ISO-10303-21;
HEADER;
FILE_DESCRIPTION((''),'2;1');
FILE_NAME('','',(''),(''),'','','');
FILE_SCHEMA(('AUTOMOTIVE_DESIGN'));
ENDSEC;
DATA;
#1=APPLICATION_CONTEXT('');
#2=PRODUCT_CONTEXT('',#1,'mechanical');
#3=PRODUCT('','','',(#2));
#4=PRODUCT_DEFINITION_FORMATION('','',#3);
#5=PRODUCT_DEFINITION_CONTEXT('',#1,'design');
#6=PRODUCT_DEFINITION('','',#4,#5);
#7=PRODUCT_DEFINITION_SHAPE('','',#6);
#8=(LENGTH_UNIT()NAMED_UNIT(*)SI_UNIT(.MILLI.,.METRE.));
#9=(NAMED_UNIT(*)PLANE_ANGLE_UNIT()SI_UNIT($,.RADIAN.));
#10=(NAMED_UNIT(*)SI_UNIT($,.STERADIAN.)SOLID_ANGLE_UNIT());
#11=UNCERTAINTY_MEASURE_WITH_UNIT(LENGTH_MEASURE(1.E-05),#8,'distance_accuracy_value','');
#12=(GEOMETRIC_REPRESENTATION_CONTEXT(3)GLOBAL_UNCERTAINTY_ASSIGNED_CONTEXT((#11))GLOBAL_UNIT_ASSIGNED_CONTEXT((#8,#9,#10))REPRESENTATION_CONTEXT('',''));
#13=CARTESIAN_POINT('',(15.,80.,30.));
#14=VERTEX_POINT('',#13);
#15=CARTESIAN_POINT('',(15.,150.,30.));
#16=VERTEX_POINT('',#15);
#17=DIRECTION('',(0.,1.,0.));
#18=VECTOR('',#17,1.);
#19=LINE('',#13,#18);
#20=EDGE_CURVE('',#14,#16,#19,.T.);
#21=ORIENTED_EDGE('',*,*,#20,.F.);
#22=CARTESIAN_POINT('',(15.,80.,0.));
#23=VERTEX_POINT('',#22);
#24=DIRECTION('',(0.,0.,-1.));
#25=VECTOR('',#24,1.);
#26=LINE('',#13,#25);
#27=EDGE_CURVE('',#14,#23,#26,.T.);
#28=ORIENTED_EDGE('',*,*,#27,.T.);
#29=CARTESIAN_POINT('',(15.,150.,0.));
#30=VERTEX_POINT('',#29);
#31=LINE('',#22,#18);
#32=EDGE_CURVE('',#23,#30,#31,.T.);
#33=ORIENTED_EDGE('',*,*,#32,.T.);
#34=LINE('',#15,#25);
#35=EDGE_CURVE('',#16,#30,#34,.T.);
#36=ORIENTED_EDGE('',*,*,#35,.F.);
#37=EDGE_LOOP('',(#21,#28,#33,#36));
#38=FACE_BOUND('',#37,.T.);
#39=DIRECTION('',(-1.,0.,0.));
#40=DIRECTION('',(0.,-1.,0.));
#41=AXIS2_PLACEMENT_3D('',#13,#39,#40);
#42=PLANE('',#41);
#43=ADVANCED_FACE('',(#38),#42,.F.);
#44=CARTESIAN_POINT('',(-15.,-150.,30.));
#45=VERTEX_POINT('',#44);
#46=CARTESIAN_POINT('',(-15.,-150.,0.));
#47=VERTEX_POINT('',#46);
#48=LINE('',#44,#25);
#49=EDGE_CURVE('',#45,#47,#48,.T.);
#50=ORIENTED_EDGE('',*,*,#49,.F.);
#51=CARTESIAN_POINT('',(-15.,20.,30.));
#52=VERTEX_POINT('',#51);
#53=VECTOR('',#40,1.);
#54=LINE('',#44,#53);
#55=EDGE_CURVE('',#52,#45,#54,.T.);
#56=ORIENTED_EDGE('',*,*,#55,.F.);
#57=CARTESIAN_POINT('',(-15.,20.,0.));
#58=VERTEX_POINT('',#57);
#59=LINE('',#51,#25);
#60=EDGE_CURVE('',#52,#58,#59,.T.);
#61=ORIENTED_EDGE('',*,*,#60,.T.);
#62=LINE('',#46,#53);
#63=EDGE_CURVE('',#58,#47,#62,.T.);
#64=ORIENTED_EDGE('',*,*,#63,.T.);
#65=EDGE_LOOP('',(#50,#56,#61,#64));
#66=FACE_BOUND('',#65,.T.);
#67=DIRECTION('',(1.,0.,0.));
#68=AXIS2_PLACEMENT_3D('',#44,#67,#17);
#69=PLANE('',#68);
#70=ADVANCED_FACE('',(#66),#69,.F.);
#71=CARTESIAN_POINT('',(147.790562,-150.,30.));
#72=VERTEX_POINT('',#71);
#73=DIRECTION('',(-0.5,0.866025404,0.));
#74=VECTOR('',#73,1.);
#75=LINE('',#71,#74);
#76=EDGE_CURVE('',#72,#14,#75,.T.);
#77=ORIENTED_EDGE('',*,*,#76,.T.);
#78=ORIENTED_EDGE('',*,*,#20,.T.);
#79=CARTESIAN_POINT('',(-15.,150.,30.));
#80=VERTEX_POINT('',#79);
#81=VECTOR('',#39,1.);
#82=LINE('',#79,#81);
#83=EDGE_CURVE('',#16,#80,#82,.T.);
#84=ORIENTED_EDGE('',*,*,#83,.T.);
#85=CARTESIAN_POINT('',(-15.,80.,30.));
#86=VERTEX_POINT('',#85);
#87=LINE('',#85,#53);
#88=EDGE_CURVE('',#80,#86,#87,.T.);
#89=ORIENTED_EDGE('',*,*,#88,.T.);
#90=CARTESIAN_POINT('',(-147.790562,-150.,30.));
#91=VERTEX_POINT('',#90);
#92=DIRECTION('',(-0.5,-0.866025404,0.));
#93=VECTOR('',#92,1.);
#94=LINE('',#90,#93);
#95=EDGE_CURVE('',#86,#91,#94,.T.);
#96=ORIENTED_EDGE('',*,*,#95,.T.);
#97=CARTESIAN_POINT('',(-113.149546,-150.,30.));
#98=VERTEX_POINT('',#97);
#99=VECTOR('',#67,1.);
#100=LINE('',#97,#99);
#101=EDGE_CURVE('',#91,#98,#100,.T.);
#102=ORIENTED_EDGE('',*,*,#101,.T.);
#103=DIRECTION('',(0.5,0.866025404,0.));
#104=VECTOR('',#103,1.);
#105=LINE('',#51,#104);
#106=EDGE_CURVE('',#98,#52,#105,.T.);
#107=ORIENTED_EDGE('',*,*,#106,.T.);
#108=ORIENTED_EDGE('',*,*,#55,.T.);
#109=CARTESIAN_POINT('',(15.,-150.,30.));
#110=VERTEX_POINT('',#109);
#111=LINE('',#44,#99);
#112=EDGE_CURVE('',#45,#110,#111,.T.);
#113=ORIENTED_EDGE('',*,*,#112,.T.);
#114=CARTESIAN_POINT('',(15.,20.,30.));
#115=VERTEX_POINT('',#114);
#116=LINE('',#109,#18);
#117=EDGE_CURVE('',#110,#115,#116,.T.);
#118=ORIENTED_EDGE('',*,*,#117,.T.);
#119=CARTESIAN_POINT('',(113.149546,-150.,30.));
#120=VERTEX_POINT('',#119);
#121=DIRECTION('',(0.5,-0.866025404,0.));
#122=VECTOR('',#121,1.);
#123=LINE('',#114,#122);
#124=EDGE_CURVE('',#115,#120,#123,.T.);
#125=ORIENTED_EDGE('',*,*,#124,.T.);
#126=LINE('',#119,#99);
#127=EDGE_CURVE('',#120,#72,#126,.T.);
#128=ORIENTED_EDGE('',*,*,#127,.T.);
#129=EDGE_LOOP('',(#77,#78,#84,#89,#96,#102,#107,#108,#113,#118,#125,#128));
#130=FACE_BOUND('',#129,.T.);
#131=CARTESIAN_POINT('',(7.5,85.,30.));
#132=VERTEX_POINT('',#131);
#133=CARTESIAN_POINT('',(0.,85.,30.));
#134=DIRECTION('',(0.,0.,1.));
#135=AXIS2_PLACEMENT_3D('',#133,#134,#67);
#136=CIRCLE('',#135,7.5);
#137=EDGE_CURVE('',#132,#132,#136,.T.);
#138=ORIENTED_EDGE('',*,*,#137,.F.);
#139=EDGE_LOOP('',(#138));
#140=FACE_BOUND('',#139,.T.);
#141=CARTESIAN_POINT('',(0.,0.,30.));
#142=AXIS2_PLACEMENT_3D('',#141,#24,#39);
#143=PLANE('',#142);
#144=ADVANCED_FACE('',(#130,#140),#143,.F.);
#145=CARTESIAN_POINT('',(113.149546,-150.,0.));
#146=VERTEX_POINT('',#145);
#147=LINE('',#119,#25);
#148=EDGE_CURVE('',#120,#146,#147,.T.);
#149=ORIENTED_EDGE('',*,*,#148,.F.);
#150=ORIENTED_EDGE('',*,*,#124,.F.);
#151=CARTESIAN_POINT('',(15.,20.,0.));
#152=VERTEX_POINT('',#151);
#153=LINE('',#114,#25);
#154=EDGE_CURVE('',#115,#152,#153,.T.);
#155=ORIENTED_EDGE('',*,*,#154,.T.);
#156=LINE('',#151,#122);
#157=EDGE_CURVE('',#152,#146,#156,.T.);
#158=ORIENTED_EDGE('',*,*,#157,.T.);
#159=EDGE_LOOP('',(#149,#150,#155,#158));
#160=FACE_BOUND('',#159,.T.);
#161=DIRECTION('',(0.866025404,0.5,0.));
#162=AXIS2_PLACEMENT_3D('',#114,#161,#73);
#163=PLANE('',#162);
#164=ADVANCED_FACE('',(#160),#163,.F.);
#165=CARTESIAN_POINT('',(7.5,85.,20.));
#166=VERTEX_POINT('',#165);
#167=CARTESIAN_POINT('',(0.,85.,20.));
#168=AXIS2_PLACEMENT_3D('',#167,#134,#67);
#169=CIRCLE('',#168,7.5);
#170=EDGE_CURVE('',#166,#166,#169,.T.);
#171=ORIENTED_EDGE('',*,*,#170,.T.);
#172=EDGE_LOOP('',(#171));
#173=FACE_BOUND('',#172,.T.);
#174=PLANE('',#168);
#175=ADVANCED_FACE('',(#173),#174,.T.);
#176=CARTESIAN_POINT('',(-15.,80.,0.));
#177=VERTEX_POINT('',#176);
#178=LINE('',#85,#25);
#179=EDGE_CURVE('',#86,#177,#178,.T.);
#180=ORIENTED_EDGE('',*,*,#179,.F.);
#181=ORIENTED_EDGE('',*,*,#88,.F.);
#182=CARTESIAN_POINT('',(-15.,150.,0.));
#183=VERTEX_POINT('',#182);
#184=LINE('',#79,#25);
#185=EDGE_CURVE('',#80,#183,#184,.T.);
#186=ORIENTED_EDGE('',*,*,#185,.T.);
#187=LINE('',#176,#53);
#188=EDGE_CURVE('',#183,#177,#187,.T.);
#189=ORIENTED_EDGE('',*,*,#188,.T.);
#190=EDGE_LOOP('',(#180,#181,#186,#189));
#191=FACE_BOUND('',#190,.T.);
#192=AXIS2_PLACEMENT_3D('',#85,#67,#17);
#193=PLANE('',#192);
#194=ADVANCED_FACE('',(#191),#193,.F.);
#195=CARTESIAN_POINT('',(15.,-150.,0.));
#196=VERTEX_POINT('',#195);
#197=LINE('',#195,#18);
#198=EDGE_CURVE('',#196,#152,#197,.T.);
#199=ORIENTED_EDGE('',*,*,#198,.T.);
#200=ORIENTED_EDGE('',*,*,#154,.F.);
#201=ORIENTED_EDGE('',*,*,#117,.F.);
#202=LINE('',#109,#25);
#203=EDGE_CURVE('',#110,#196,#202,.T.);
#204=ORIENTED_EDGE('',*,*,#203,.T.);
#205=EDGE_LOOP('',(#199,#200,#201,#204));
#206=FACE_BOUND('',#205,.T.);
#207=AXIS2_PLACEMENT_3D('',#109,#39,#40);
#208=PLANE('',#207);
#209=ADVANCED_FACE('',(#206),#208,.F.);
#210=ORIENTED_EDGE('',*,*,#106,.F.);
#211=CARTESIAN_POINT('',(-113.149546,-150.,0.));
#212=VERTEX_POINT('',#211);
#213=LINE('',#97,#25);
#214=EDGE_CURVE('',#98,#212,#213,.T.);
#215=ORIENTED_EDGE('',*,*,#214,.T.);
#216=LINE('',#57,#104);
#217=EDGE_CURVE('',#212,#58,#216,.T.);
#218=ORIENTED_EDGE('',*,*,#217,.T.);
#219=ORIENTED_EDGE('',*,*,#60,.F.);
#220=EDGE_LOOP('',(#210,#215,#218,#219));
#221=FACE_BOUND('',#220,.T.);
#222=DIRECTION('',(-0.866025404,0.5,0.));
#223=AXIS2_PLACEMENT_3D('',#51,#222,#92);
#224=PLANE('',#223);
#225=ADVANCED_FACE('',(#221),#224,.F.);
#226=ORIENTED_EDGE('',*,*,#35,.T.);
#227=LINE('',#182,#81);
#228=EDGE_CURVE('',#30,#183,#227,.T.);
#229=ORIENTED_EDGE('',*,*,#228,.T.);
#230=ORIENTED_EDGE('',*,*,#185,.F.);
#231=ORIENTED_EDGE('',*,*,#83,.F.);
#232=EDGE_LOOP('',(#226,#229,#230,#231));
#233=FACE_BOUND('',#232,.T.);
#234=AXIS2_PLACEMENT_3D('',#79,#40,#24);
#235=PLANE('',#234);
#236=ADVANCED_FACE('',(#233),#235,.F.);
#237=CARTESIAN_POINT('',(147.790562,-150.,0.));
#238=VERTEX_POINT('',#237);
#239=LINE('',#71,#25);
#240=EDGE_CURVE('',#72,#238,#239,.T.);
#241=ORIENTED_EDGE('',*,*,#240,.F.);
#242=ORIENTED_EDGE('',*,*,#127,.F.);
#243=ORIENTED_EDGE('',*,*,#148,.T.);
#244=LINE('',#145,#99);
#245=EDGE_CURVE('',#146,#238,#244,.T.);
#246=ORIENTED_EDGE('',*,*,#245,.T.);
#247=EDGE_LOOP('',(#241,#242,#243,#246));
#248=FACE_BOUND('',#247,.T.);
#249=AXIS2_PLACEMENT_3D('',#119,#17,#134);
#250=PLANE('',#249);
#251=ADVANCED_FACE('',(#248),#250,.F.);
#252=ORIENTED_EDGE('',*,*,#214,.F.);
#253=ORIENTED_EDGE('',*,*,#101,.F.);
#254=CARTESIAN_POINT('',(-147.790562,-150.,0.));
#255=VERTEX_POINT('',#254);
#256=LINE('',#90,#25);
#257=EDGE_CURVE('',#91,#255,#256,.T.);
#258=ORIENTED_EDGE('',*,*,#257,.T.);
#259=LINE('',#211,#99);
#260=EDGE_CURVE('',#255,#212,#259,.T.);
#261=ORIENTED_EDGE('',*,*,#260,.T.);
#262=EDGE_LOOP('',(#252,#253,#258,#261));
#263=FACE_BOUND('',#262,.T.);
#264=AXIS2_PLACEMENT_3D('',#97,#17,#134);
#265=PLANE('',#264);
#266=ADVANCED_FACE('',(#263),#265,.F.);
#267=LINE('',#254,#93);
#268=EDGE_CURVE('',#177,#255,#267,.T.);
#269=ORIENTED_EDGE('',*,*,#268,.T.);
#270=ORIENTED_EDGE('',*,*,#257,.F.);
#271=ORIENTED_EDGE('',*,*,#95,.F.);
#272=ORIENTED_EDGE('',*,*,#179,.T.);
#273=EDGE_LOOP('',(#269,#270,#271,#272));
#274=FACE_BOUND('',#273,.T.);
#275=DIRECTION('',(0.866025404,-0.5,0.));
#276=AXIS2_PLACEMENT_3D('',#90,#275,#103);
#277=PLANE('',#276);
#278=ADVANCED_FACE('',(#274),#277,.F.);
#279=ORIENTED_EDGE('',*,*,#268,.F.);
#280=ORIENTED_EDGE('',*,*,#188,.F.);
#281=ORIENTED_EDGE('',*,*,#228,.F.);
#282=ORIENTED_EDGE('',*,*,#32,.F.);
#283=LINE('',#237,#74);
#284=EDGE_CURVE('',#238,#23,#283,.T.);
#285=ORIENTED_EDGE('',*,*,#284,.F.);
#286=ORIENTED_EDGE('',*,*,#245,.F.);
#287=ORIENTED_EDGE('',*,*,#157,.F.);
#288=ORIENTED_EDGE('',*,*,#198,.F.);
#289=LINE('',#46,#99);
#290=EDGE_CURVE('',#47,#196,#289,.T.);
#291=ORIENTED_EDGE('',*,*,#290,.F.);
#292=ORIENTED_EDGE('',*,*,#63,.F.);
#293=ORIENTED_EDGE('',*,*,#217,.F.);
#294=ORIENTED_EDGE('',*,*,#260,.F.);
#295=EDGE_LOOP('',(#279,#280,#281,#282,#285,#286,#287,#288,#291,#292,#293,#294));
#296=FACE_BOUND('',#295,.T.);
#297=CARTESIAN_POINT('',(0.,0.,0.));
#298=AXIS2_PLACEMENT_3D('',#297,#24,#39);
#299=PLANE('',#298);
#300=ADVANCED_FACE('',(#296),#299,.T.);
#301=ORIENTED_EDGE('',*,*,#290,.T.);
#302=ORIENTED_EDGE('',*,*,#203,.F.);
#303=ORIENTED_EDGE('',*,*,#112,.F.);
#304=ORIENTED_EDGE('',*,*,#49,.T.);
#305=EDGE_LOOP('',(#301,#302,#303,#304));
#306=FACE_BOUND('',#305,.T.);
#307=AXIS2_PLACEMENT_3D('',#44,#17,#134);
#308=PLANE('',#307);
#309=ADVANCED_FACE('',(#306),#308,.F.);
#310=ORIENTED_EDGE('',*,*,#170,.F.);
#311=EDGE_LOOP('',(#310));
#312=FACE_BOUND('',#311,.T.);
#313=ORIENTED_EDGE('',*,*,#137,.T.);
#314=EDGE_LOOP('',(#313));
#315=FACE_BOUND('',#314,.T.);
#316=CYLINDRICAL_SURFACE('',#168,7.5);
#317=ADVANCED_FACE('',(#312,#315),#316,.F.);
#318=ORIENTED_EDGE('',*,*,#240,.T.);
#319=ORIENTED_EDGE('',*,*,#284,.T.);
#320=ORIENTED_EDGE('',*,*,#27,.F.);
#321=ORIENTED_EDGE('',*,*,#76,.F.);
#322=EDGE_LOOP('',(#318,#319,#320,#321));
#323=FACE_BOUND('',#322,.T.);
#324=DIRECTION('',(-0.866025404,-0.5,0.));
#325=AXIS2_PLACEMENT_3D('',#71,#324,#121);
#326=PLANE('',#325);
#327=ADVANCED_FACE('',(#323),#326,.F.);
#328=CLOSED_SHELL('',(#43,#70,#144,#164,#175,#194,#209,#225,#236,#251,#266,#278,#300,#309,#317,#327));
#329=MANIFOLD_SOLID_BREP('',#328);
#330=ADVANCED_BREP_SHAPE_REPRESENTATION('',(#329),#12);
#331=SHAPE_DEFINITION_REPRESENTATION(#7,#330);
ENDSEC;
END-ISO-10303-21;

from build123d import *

# Parameters (mm, degrees)
BOSS_EXTRUDE1_DEPTH = 30
SKETCH2_R           = 7.5
CUT_EXTRUDE1_DEPTH  = 10


with BuildPart() as part:
    # Sketch1 → Boss-Extrude1 (new body)
    with BuildSketch(Plane.XY):
        Polygon((-15, 20), (-113.149545762, -150), (-147.790561914, -150), (-15, 80), (-15, 150), (15, 150), (15, 80), (147.790561914, -150), (113.149545762, -150), (15, 20), (15, -150), (-15, -150), align=None)
    extrude(amount=BOSS_EXTRUDE1_DEPTH)

    # Sketch2 → Cut-Extrude1 (cut)
    with BuildSketch(Plane.XY.offset(30)):
        with Locations((0, 85)):
            Circle(SKETCH2_R)
    extrude(amount=-CUT_EXTRUDE1_DEPTH, mode=Mode.SUBTRACT)


solid = part.part
